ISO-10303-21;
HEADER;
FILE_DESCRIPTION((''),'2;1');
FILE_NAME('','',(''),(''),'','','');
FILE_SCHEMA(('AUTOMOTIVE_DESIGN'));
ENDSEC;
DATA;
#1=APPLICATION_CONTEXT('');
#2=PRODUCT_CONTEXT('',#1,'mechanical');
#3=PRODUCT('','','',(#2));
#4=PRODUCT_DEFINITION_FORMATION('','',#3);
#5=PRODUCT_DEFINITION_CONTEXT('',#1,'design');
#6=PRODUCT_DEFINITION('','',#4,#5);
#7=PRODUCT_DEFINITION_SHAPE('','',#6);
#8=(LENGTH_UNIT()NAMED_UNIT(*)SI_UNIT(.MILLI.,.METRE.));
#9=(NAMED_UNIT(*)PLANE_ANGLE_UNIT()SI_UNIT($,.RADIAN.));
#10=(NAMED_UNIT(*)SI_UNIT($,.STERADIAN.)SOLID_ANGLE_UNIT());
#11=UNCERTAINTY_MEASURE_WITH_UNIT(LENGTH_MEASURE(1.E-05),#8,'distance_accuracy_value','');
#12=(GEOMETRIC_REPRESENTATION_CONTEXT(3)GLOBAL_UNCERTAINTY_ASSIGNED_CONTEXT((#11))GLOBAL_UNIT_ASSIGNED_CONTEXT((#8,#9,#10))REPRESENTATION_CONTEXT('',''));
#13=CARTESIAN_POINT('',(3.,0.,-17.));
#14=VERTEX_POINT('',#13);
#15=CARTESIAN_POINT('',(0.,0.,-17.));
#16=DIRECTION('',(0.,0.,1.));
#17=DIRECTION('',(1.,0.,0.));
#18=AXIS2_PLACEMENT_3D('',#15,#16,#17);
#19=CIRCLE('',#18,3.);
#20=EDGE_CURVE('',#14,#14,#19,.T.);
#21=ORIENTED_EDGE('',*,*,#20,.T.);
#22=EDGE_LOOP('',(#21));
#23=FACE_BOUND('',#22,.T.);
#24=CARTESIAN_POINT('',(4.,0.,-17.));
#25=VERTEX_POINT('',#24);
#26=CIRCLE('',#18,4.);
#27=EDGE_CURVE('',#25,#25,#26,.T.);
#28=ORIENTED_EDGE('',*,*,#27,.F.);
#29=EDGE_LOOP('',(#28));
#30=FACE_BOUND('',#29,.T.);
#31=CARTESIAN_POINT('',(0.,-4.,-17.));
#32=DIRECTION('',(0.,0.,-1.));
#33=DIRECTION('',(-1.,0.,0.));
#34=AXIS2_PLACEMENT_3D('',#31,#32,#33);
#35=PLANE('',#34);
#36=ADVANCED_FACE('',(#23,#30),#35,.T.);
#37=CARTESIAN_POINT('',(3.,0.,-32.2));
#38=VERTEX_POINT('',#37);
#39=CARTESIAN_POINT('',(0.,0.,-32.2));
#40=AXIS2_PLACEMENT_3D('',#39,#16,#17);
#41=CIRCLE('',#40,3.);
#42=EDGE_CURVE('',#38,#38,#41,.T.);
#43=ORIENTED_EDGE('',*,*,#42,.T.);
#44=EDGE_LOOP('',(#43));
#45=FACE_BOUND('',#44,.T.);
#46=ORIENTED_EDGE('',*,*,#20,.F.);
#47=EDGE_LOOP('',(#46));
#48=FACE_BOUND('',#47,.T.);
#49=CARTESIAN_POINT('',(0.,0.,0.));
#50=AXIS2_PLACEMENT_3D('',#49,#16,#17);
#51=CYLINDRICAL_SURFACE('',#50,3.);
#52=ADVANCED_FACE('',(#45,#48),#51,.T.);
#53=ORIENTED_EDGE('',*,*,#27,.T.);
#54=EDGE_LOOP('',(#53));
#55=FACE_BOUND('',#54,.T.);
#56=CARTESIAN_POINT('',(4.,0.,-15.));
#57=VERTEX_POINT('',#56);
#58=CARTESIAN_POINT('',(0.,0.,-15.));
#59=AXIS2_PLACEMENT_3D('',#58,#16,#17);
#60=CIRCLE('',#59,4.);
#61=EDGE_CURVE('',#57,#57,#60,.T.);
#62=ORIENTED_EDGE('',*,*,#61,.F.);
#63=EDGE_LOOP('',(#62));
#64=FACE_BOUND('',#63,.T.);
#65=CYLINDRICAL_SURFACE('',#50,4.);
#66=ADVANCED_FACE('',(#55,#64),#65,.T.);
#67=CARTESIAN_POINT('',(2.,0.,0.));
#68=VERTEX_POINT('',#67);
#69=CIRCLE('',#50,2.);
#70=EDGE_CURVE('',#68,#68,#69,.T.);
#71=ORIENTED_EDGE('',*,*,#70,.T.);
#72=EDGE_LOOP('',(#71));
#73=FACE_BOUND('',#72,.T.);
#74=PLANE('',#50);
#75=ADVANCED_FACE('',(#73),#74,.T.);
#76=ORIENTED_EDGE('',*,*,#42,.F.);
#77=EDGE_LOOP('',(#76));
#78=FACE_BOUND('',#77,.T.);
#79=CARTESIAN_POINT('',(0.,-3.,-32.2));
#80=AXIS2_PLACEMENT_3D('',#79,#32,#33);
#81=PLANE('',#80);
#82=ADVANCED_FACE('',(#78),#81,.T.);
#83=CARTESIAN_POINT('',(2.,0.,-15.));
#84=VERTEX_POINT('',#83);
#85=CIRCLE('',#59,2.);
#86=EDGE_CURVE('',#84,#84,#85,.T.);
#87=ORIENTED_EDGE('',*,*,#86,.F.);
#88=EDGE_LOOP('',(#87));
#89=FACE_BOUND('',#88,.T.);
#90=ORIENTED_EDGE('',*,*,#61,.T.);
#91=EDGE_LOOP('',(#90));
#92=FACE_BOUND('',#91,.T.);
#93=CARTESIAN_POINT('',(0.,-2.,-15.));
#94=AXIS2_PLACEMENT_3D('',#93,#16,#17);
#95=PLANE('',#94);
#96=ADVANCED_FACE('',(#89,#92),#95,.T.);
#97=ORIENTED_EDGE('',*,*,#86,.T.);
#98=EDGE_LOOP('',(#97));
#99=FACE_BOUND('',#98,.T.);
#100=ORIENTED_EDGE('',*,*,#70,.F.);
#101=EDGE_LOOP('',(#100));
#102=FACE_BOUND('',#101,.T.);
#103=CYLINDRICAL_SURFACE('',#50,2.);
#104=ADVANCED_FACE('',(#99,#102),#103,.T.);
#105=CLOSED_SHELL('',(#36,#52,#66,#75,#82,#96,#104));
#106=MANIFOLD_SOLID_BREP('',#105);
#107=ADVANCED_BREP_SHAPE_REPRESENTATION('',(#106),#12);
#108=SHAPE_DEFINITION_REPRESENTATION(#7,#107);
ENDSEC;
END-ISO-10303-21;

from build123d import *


with BuildPart() as part:
    # Sketch1 → Revolve1 (revolve)
    with BuildSketch(Plane(origin=(0, 0, 0), x_dir=(0, 0, -1), z_dir=(1, 0, 0))):
        Polygon((0, 0), (32.2, 0), (32.2, -3), (17, -3), (17, -4), (15, -4), (15, -2), (0, -2), align=None)
    revolve(axis=Axis((0, 0, 0), (0, 0, -1)))


solid = part.part
